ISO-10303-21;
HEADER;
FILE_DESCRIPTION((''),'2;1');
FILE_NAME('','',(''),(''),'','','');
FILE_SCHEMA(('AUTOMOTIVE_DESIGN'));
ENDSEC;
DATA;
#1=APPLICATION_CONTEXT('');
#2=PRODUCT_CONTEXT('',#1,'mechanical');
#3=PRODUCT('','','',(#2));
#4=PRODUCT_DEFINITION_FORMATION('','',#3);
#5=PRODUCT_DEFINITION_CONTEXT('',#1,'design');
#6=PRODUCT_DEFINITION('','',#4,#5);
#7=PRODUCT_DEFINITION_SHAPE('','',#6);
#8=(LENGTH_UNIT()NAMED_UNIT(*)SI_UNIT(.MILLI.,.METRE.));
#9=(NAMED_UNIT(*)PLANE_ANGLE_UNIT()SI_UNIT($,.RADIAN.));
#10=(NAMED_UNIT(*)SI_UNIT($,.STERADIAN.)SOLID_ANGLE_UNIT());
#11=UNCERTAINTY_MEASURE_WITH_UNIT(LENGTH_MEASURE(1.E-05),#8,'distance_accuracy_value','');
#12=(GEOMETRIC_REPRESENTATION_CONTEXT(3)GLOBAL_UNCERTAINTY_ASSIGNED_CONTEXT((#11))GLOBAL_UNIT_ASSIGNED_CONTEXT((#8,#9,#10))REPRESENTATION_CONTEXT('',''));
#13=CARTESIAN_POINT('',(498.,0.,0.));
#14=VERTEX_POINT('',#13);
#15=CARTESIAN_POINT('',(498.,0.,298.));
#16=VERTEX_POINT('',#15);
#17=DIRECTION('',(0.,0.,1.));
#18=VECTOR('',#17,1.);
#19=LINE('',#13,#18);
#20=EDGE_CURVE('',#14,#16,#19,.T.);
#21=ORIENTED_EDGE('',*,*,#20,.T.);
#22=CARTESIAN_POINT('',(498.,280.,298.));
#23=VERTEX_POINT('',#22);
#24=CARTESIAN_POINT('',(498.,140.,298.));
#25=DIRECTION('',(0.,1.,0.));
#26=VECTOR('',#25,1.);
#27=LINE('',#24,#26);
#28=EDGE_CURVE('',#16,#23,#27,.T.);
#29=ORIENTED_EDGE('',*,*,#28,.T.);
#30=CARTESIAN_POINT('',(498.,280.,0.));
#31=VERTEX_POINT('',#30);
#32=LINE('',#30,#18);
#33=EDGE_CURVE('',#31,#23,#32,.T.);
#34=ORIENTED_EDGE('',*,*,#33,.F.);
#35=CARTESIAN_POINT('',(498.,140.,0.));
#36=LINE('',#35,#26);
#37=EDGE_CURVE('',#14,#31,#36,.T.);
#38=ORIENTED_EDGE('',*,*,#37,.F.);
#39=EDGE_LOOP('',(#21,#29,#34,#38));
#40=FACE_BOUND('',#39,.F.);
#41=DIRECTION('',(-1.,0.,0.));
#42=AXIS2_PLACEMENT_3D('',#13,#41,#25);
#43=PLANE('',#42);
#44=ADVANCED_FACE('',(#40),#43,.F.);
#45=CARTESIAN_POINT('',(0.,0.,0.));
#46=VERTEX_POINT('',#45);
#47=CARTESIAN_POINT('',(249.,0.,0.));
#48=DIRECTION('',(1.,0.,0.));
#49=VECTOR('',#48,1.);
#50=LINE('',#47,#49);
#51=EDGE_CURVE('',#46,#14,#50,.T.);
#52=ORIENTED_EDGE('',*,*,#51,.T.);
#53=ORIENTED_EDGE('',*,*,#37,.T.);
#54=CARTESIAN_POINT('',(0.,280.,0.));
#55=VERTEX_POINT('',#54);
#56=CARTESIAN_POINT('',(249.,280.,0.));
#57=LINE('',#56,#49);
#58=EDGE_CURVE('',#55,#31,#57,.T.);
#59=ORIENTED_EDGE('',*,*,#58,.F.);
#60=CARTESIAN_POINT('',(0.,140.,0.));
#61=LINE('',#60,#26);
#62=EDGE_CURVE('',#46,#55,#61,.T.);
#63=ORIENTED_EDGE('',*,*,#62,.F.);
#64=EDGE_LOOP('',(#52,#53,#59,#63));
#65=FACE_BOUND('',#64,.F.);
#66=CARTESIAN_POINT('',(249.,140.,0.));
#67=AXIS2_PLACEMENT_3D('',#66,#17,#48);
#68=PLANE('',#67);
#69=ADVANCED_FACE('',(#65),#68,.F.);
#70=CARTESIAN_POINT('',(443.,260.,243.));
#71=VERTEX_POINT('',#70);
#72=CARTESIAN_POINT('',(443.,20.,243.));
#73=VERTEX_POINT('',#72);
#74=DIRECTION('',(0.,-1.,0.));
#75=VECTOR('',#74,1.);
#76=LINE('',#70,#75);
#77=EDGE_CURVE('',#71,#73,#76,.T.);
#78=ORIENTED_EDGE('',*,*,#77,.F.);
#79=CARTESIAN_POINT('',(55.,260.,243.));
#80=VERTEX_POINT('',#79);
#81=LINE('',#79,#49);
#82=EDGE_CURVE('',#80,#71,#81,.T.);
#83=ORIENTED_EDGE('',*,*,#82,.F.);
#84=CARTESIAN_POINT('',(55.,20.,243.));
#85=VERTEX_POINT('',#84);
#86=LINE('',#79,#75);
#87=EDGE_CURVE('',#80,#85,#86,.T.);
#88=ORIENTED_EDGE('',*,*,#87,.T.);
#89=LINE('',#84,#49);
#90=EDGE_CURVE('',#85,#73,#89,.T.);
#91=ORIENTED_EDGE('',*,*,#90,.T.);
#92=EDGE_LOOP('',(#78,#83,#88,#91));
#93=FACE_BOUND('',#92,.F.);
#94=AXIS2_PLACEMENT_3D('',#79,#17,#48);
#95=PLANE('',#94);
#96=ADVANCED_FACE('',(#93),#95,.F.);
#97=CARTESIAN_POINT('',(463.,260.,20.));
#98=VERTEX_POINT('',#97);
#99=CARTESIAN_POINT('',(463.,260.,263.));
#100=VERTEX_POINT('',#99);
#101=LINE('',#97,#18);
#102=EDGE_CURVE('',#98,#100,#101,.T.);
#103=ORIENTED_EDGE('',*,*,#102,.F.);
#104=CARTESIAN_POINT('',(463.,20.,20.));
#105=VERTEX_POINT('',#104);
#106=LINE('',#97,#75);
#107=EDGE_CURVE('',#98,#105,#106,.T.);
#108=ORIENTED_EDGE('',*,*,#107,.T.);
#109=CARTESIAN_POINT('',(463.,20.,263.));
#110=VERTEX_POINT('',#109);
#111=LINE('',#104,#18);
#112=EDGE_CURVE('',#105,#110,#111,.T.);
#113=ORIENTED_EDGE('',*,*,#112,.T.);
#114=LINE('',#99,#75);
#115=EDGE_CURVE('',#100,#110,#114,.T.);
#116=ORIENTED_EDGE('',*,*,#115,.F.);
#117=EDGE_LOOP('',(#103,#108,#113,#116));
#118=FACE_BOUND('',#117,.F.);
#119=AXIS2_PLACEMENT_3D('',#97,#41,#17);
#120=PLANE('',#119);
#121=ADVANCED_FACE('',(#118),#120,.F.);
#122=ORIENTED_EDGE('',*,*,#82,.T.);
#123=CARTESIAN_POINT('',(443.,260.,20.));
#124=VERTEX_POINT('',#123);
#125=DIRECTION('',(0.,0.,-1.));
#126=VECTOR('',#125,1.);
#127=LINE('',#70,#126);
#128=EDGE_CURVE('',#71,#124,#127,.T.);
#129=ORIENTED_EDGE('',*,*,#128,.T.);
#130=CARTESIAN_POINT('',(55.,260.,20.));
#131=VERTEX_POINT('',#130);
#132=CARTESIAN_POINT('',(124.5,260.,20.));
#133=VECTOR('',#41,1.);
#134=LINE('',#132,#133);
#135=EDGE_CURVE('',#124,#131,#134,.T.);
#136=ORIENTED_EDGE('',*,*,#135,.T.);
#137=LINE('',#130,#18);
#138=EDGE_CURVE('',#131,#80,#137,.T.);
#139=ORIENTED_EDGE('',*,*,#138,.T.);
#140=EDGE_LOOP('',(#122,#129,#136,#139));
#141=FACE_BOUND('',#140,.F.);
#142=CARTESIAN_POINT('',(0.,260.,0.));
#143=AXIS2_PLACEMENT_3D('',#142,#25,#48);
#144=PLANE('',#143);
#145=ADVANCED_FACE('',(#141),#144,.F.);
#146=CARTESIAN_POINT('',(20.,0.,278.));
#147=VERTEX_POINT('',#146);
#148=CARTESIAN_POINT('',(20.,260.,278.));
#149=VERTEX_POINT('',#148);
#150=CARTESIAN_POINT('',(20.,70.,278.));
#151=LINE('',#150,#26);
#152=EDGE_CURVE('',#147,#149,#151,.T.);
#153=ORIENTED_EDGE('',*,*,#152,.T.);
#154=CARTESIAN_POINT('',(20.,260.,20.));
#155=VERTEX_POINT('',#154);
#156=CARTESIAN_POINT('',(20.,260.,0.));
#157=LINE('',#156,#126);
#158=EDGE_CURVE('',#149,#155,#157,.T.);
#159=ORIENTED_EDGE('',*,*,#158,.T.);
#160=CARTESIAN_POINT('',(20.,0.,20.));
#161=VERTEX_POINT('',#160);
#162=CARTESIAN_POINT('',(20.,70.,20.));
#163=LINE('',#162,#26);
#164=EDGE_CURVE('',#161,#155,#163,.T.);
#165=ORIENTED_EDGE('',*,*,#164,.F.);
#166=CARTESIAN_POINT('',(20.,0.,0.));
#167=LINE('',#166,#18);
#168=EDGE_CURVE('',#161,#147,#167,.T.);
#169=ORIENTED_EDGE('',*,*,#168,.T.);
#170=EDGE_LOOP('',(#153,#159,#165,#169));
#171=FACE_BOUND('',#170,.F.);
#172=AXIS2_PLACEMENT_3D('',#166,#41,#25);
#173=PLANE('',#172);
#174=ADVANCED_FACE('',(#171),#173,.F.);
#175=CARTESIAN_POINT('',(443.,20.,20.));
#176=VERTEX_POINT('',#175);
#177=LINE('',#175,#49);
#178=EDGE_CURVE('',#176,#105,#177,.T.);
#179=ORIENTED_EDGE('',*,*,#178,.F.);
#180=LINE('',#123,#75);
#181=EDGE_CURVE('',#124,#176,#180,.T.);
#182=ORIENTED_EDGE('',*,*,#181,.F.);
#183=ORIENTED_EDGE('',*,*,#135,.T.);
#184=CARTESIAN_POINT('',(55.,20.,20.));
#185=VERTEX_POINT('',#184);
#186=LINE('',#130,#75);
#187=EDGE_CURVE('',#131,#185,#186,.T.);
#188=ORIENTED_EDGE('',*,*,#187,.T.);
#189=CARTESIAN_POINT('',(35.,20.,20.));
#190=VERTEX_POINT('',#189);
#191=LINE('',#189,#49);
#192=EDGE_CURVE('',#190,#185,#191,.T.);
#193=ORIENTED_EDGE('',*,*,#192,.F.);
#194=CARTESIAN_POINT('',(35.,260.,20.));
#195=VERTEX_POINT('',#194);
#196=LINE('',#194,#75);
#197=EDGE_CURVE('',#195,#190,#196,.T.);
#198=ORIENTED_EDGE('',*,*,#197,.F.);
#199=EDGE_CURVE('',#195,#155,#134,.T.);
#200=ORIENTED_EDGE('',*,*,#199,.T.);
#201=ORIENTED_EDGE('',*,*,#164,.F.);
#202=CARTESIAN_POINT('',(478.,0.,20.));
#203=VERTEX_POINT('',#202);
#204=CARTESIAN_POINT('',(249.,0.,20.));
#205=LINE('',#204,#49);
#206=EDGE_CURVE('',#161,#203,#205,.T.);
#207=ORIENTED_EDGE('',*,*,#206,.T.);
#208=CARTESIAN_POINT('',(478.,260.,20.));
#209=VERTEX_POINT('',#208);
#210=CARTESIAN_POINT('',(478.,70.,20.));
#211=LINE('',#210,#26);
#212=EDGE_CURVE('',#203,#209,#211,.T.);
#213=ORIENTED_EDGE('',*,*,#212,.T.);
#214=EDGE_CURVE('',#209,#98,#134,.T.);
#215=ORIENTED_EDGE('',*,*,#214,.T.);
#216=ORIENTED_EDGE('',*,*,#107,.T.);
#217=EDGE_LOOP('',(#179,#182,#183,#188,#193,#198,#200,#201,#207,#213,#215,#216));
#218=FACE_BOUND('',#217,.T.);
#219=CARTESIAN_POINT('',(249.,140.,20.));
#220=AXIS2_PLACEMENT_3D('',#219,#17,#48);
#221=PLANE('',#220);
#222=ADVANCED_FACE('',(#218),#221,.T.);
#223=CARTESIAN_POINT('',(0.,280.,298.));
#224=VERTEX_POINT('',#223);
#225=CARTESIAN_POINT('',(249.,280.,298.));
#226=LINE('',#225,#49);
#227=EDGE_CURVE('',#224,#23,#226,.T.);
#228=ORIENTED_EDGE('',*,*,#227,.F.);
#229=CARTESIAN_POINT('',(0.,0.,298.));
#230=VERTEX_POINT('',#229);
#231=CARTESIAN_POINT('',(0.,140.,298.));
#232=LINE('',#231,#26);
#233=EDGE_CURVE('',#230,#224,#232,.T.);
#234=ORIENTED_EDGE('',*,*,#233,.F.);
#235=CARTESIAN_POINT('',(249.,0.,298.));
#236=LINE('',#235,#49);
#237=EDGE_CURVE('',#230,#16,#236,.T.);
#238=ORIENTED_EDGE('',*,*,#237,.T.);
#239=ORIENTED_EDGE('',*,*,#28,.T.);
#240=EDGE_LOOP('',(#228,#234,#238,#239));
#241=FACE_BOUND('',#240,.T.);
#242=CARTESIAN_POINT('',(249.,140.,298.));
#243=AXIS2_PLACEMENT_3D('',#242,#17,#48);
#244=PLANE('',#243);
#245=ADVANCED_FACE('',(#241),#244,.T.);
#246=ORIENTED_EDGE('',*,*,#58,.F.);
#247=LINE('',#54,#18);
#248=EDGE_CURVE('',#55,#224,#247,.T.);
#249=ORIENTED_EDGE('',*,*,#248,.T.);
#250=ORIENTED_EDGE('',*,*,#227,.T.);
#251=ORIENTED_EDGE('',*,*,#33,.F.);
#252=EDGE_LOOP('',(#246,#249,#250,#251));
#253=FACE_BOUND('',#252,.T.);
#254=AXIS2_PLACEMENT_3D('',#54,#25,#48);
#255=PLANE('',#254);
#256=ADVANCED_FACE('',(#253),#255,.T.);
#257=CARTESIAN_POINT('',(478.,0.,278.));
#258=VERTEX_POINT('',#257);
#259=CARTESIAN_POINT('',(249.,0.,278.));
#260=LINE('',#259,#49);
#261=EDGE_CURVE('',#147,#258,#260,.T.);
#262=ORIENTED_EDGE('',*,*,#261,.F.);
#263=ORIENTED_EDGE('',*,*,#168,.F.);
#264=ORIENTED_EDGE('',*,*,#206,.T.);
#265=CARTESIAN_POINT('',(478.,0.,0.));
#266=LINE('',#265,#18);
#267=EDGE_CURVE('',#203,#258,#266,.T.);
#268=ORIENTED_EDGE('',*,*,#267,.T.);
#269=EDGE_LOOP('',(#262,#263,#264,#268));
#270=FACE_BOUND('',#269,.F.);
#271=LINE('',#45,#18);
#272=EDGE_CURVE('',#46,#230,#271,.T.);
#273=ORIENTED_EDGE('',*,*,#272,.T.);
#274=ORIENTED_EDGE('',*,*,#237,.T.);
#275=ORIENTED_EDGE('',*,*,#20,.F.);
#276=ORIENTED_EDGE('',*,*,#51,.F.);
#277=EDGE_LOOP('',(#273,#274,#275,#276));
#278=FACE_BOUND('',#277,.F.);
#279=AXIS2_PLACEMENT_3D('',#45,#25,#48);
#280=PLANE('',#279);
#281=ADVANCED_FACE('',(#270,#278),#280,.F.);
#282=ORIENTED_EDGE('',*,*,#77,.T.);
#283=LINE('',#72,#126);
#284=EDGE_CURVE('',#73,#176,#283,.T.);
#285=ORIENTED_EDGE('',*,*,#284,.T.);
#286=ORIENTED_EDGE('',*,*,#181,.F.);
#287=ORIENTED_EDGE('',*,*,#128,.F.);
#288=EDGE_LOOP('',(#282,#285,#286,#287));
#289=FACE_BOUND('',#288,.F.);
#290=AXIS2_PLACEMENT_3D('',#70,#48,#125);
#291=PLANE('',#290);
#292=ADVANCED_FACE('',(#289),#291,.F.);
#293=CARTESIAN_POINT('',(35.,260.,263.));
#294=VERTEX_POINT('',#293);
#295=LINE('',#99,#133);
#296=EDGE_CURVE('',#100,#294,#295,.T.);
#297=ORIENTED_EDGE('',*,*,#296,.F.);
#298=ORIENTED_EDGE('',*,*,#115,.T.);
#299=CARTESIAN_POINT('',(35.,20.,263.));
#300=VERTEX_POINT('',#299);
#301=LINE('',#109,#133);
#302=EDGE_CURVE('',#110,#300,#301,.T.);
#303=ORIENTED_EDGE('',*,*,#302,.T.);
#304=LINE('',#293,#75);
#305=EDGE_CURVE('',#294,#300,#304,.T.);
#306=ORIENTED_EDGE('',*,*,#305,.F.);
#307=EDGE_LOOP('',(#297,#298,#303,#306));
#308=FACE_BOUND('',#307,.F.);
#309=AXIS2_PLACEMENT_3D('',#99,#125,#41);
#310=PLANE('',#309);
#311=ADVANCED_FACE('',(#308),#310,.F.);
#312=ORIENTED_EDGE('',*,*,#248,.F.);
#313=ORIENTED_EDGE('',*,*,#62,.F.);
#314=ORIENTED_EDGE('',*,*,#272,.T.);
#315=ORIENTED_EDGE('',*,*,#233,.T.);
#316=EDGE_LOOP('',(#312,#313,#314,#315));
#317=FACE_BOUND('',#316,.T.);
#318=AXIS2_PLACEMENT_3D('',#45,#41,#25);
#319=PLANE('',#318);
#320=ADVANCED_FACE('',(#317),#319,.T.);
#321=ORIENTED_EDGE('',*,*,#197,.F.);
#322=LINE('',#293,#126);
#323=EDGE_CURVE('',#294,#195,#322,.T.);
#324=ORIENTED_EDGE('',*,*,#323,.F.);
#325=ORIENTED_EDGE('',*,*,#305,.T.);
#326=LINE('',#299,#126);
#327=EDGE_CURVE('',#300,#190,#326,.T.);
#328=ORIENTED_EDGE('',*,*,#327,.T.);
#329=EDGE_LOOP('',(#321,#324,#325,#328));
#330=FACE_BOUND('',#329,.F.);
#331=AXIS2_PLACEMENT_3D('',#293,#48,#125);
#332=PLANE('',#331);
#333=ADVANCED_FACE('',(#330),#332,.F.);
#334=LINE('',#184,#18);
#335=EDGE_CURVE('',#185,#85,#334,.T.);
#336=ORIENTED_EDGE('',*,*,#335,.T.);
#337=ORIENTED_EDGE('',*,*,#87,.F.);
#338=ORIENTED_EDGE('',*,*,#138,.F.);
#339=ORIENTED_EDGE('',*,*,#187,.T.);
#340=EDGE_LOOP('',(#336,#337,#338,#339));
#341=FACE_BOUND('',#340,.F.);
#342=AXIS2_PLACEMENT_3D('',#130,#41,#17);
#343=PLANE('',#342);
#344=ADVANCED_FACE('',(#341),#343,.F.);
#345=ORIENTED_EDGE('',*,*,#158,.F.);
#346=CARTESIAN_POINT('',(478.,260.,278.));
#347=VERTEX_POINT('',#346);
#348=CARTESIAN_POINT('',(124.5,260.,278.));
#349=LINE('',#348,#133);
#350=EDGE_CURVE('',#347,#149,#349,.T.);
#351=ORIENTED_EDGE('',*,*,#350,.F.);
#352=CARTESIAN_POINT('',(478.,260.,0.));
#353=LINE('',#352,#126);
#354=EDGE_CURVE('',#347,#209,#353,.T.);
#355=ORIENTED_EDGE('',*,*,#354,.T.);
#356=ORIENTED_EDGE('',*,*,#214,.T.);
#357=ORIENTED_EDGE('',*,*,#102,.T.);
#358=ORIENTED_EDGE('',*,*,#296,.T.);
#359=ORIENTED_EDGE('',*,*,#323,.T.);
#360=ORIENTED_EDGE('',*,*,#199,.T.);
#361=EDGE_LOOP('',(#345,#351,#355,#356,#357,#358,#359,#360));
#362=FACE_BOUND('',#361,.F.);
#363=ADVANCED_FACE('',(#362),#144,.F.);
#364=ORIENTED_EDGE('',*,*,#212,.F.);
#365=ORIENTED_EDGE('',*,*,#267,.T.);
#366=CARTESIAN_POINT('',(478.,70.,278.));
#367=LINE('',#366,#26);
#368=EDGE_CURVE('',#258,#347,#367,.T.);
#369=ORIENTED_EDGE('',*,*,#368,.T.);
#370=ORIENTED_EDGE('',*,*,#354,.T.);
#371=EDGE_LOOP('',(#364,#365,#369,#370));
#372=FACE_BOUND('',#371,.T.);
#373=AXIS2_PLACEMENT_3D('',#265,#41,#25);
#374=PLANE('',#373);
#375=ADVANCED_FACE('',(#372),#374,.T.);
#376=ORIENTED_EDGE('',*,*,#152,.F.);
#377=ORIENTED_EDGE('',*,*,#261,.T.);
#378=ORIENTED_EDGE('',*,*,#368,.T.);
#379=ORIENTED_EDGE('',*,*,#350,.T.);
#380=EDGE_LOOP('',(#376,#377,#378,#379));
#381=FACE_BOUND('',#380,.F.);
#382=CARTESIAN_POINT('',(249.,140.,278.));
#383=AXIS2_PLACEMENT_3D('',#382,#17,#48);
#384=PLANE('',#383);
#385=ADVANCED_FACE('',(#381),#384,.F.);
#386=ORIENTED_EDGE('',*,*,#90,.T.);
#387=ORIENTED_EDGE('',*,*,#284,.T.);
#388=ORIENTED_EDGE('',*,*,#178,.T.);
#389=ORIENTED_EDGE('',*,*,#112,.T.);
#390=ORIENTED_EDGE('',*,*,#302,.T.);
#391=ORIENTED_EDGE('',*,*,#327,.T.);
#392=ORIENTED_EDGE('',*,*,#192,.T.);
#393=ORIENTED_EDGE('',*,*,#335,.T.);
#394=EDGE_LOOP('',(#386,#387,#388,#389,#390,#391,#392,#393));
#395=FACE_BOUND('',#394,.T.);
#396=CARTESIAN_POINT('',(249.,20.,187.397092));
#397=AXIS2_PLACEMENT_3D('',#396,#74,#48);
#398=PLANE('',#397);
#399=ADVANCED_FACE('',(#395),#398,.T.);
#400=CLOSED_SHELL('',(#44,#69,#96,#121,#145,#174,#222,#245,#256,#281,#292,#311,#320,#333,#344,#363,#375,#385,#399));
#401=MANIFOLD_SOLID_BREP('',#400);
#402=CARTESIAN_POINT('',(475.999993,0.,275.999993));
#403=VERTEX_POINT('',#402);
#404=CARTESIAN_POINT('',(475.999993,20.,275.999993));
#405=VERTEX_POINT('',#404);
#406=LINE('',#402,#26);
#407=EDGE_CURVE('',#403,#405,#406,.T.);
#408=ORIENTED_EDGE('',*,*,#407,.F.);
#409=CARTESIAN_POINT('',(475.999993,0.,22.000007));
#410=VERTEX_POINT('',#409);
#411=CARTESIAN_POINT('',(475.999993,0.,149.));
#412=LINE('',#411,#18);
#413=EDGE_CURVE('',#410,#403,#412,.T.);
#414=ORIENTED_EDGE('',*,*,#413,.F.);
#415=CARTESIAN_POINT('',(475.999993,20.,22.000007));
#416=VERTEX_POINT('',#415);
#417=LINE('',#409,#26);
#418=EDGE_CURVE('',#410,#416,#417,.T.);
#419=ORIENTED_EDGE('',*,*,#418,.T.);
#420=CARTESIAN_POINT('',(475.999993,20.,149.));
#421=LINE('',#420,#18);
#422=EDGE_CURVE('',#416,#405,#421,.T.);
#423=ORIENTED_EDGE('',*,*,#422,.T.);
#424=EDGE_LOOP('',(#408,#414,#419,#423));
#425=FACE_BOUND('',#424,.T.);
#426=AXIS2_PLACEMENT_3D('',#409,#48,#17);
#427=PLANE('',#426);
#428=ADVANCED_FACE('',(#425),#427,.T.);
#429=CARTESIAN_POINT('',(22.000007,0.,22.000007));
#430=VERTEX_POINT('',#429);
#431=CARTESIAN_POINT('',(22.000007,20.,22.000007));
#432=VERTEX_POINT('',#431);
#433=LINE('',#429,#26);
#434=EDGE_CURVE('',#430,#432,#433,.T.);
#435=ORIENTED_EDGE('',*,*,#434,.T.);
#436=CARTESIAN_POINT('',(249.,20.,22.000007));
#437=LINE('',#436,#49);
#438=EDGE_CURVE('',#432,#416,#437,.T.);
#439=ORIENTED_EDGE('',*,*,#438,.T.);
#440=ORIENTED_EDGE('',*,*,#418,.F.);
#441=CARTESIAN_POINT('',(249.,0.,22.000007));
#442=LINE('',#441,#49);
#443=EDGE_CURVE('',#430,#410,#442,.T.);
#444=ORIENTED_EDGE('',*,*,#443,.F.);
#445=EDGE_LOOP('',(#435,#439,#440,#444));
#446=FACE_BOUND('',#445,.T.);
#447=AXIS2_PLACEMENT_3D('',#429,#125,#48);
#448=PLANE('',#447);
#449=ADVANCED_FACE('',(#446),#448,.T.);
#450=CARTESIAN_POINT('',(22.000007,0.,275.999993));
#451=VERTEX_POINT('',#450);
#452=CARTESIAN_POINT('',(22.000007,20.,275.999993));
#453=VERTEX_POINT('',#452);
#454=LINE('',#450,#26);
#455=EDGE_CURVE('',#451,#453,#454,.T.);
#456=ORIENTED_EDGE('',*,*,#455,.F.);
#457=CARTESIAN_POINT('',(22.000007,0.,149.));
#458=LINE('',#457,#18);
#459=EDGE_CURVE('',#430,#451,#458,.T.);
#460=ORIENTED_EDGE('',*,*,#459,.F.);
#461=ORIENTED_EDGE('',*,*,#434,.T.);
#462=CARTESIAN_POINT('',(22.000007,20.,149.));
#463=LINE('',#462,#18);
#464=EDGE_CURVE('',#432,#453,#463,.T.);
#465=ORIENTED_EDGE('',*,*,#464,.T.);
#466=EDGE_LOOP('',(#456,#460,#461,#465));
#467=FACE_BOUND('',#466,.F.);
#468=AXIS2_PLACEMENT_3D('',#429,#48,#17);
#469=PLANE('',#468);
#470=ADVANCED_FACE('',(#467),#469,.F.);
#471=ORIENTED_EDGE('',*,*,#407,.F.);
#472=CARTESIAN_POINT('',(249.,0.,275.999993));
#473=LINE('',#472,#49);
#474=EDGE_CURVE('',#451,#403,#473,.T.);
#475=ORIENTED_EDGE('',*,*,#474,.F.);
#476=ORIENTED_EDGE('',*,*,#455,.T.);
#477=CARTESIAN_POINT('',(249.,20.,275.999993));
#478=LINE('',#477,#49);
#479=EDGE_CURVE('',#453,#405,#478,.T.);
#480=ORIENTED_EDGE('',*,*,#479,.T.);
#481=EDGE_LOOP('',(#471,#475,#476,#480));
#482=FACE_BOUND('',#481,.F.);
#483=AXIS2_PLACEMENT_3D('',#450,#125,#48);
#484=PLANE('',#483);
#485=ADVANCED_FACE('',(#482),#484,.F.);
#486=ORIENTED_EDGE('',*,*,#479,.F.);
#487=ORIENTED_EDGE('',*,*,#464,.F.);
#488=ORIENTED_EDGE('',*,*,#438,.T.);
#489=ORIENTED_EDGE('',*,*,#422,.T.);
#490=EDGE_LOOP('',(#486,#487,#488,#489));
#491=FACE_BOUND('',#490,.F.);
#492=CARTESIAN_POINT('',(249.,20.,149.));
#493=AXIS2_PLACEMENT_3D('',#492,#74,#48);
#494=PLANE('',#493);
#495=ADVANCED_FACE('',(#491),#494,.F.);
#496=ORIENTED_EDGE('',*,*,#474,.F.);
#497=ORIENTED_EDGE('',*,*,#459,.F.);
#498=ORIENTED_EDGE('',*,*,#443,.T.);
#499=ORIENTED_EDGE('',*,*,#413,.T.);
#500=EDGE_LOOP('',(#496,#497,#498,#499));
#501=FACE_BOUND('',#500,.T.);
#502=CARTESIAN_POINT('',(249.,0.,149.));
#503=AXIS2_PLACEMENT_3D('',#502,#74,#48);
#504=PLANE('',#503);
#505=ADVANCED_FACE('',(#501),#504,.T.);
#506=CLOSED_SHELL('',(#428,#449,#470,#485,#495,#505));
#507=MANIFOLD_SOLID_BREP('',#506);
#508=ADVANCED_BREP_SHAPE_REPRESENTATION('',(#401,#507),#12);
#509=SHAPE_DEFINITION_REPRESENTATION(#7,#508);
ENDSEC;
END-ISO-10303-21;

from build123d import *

# Parameters (mm, degrees)
F0_W     = 498
F0_H     = 280
F1_DEPTH = 298
F2_T     = -20
F4_DEPTH = 240
F5_W     = 453.9999861717
F5_H     = 253.9999861717
F6_DEPTH = 20


with BuildPart() as f1:
    # F0 (on Top) → F1 (new body)
    with BuildSketch(Plane.XY):
        with Locations((249, 140)):
            Rectangle(F0_W, F0_H)
    extrude(amount=F1_DEPTH)

    # F2
    f2_openings = [f1.faces().sort_by_distance(p)[0] for p in [
        (249, 0, 149),
    ]]
    offset(amount=F2_T, openings=f2_openings)

    # F3 (on face) → F4 (join, through all)
    with BuildSketch(Plane.XZ.offset(-260)):
        Polygon((463, 263), (35, 263), (35, 20), (55, 20), (55, 243), (443, 243), (443, 20), (463, 20), align=None)
    extrude(amount=F4_DEPTH)


with BuildPart() as f6:
    # F5 (on face) → F6 (new body)
    with BuildSketch(Plane.XZ):
        with Locations((249, 149)):
            Rectangle(F5_W, F5_H)
    extrude(amount=-F6_DEPTH)


solid = Compound([f1.part, f6.part])
